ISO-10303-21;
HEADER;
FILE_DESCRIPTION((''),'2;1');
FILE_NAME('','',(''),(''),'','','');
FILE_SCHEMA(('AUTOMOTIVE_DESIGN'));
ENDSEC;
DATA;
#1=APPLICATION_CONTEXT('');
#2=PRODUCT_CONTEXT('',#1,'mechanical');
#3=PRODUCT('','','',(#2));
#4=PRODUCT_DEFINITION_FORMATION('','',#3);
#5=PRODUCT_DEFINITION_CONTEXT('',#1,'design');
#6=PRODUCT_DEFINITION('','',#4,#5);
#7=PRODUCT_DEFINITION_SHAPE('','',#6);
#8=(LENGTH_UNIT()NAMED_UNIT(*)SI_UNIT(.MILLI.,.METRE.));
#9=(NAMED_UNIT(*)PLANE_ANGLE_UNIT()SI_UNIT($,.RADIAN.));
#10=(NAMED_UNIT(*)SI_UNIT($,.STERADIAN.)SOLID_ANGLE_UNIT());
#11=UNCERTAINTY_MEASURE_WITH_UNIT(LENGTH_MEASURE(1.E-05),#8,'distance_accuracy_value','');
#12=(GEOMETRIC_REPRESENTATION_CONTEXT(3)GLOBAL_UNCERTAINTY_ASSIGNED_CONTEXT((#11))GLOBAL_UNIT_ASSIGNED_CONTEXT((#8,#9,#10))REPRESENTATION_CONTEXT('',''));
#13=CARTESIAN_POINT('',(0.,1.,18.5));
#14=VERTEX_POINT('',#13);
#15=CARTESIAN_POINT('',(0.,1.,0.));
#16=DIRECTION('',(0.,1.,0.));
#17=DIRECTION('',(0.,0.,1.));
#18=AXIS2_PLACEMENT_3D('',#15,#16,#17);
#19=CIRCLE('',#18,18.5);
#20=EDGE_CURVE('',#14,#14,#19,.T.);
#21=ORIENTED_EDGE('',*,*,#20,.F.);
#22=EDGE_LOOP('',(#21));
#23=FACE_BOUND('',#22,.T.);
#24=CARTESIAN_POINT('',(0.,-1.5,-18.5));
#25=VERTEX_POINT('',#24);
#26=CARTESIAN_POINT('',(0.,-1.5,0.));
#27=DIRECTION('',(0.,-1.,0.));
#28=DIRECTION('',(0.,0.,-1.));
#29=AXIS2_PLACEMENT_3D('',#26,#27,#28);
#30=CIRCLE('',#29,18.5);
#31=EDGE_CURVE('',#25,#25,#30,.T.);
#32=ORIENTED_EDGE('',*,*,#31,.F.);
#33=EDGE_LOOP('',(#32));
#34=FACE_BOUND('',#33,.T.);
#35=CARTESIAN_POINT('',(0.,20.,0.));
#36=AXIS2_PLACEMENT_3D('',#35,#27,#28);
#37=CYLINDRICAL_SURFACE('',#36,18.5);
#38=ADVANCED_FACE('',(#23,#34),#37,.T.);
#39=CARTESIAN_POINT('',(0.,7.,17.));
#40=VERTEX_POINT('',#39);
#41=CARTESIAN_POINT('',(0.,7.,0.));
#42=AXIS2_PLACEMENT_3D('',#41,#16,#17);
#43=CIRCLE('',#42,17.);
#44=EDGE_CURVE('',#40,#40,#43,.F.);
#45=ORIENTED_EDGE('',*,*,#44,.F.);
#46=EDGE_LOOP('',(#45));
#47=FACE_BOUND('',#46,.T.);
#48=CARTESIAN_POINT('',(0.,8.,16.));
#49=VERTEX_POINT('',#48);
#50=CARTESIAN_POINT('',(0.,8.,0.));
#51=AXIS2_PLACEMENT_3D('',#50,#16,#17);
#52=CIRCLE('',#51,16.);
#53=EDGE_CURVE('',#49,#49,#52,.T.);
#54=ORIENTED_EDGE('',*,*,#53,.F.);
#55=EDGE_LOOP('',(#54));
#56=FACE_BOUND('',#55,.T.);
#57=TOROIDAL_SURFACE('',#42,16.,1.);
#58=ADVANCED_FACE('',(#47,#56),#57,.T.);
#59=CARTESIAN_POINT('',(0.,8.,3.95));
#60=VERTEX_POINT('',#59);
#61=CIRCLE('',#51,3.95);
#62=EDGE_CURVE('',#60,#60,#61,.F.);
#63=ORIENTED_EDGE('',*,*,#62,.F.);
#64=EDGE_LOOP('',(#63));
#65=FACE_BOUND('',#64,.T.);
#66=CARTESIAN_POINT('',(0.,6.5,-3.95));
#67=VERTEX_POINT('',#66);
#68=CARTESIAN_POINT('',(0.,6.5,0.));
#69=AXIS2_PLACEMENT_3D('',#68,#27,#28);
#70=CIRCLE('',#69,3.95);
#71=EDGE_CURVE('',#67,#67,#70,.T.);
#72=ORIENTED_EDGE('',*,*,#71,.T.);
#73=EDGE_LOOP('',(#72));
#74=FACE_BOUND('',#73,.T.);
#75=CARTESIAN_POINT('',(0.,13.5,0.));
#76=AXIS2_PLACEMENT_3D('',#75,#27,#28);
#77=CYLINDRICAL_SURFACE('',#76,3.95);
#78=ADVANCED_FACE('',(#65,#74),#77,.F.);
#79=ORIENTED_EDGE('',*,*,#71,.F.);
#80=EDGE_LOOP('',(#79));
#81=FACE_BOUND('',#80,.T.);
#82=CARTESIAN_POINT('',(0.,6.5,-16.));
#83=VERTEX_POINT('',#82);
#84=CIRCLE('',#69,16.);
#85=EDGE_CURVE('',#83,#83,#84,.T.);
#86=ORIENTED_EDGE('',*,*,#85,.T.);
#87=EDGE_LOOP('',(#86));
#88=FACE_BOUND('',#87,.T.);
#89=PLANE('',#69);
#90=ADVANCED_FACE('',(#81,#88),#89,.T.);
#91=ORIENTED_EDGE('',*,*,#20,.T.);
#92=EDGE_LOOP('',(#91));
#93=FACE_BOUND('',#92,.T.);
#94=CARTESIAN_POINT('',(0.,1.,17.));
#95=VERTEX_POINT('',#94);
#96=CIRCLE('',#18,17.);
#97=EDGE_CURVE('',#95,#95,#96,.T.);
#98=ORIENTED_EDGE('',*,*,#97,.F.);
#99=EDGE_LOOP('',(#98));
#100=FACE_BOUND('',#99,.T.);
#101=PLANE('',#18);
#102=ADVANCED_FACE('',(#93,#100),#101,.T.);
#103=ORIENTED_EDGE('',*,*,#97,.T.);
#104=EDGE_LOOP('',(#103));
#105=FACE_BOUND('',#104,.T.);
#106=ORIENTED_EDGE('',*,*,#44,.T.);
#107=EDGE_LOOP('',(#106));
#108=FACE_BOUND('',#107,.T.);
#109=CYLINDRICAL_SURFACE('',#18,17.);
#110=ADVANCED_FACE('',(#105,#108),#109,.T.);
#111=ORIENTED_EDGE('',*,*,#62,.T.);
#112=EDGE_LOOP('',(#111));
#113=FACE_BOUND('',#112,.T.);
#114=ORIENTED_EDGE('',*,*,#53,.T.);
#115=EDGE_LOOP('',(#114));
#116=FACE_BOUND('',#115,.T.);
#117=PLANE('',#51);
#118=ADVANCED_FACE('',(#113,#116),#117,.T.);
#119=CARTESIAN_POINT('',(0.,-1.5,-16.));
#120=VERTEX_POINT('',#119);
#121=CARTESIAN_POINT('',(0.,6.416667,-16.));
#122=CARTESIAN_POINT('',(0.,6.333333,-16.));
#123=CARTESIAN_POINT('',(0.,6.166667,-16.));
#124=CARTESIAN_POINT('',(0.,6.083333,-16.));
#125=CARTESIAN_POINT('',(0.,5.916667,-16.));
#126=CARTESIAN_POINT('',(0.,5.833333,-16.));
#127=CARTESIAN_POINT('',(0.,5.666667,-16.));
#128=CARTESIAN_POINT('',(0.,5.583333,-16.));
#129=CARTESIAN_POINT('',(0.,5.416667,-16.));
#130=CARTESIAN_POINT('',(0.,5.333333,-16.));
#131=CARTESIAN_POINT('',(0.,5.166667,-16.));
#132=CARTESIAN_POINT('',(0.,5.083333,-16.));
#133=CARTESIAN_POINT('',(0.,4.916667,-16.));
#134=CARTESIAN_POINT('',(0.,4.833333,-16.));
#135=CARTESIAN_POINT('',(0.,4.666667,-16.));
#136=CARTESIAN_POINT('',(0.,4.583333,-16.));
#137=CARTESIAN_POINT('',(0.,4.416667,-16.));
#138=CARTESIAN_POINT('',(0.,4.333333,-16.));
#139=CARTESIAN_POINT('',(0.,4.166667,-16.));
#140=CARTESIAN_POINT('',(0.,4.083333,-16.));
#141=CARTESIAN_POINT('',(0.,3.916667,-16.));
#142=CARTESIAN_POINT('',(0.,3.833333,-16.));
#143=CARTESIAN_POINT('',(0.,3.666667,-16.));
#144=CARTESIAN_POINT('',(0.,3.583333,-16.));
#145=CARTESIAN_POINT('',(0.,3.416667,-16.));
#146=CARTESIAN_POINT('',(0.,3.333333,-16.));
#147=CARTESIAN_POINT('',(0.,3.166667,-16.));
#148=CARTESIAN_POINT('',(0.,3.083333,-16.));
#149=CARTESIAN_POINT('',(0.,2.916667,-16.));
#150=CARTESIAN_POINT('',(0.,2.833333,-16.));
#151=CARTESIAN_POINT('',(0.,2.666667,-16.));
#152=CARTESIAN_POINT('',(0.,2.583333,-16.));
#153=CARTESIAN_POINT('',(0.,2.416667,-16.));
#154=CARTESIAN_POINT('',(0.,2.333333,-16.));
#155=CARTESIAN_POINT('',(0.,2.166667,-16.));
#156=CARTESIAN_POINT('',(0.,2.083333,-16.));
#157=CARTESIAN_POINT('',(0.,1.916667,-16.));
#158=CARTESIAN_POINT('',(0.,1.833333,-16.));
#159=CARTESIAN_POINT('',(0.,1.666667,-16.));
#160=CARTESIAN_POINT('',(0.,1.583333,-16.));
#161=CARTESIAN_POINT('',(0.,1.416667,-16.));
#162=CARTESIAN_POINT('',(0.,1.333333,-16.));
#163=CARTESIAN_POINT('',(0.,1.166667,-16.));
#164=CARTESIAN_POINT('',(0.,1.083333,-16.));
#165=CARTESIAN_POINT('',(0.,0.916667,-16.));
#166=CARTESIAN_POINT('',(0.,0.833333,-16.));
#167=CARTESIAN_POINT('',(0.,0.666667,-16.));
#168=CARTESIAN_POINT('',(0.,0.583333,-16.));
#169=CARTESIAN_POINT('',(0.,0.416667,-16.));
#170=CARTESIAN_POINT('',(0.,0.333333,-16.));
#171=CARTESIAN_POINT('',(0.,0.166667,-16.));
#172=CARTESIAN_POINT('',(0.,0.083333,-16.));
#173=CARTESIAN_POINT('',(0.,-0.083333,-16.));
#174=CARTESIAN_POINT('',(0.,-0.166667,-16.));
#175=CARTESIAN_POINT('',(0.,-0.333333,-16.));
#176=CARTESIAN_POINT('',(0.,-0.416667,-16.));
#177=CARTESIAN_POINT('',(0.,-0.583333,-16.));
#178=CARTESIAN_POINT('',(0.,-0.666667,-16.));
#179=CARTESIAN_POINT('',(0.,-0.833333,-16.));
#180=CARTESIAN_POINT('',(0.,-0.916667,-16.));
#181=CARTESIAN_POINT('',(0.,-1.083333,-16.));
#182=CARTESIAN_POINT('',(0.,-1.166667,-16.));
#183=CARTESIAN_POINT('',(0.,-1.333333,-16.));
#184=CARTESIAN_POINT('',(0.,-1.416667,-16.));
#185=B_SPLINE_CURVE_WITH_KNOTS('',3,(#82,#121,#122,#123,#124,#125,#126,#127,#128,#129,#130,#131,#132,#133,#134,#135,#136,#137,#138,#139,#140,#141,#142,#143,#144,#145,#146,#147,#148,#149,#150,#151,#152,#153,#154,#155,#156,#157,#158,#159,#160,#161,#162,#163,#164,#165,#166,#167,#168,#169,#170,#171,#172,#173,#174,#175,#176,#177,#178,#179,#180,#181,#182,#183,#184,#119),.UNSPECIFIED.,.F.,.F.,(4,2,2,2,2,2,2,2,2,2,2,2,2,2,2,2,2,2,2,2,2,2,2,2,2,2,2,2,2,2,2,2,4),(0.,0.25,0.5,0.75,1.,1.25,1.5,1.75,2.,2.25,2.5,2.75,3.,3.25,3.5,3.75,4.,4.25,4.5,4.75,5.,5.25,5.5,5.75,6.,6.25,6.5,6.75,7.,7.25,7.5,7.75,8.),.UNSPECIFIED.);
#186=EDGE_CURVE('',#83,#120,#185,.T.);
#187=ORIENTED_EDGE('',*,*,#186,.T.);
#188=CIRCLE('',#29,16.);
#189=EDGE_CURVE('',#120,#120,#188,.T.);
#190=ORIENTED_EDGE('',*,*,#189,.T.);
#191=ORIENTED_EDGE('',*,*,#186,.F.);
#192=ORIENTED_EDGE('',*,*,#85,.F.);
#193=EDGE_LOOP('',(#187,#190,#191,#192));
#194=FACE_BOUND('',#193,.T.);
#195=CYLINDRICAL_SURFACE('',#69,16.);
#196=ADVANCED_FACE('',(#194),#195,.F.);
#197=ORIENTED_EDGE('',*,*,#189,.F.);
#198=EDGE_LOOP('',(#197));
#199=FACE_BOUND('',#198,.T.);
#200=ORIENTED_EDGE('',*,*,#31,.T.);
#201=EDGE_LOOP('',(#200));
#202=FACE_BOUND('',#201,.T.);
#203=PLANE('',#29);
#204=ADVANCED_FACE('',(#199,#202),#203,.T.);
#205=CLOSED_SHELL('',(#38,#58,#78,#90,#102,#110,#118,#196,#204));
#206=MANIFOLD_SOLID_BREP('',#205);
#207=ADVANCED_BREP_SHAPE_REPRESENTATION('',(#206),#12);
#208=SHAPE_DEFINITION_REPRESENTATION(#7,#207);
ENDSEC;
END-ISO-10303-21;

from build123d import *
from build123d.topology import SkipClean

# Parameters (mm, degrees)
SKETCH_1_R          = 18.5
EXTRUDE_1_DEPTH     = 20
SKETCH_2_R          = 16
CUT_EXTRUDE_1_DEPTH = 6.5
SKETCH_3_R          = 3.95
CUT_EXTRUDE_2_DEPTH = 7
SKETCH_4_R          = 3
CUT_EXTRUDE_3_DEPTH = 17
SKETCH_5_R          = 25.146051565
SKETCH_5_R_2        = 17
CUT_EXTRUDE_4_DEPTH = 19
CUT_EXTRUDE_5_DEPTH = 12
FILLET_5_R          = 1
FILLET_7_R          = 2
CUT_EXTRUDE_6_REACH = 34.932
SKETCH_9_R          = 5.408326913
SKETCH_9_R_2        = 4.5
FILLET_8_R          = 0.8
EXTRUDE_START       = 1.5
SKETCH_10_R         = 18.5
SKETCH_10_R_2       = 16
EXTRUDE_2_DEPTH     = 1.5
SKETCH_11_R         = 16
CUT_EXTRUDE_7_DEPTH = 29.783675929


with BuildPart() as part:
    # 草图1 → 凸台-拉伸1 (new body)
    with BuildSketch(Plane(origin=(0, 0, 0), x_dir=(1, 0, 0), z_dir=(0, 1, 0))):
        with Locations(Location((0, 0, 0), (0, 0, 270))):
            Circle(SKETCH_1_R)
    extrude(amount=EXTRUDE_1_DEPTH)

    # 草图2 → 切除-拉伸1 (cut)
    with BuildSketch(Plane.XZ):
        with Locations(Location((0, 0, 0), (0, 0, 270))):
            Circle(SKETCH_2_R)
    extrude(amount=-CUT_EXTRUDE_1_DEPTH, mode=Mode.SUBTRACT)

    # 草图3 → 切除-拉伸2 (cut)
    with BuildSketch(Plane.XZ.offset(-6.5)):
        with Locations(Location((0, 0, 0), (0, 0, 270))):
            Circle(SKETCH_3_R)
    extrude(amount=-CUT_EXTRUDE_2_DEPTH, mode=Mode.SUBTRACT)

    # 草图4 → 切除-拉伸3 (cut)
    with BuildSketch(Plane.XZ.offset(-13.5)):
        with Locations(Location((0, 0, 0), (0, 0, 270))):
            Circle(SKETCH_4_R)
    extrude(amount=-CUT_EXTRUDE_3_DEPTH, mode=Mode.SUBTRACT)

    # 草图5 → 切除-拉伸4 (cut)
    with BuildSketch(Plane(origin=(0, 20, 0), x_dir=(1, 0, 0), z_dir=(0, 1, 0))):
        Circle(SKETCH_5_R)
        with Locations(Location((0, 0, 0), (0, 0, 270))):
            Circle(SKETCH_5_R_2, mode=Mode.SUBTRACT)
    extrude(amount=-CUT_EXTRUDE_4_DEPTH, mode=Mode.SUBTRACT)

    # 草图6 → 切除-拉伸5 (cut)
    with BuildSketch(Plane(origin=(0, 20, 0), x_dir=(1, 0, 0), z_dir=(0, 1, 0))):
        with BuildLine():
            Line((-1, 15.467708298), (-1, 5.408326913))
            ThreePointArc((-1, 5.408326913), (-3.889087297, 3.889087297), (-5.408326913, 1))
            Line((-5.408326913, 1), (-15.467708298, 1))
            ThreePointArc((-15.467708298, 1), (-10.960155108, 10.960155108), (-1, 15.467708298))
        make_face()
        with BuildLine():
            Line((1, 15.467708298), (1, 5.408326913))
            ThreePointArc((1, 5.408326913), (3.889087297, 3.889087297), (5.408326913, 1))
            Line((5.408326913, 1), (15.467708298, 1))
            ThreePointArc((15.467708298, 1), (10.960155108, 10.960155108), (1, 15.467708298))
        make_face()
        with BuildLine():
            Line((-15.467708298, -1), (-5.408326913, -1))
            ThreePointArc((-5.408326913, -1), (-3.889087297, -3.889087297), (-1, -5.408326913))
            Line((-1, -5.408326913), (-1, -15.467708298))
            ThreePointArc((-1, -15.467708298), (-10.960155108, -10.960155108), (-15.467708298, -1))
        make_face()
        with BuildLine():
            Line((1, -5.408326913), (1, -15.467708298))
            ThreePointArc((1, -15.467708298), (10.960155108, -10.960155108), (15.467708298, -1))
            Line((15.467708298, -1), (5.408326913, -1))
            ThreePointArc((5.408326913, -1), (3.889087297, -3.889087297), (1, -5.408326913))
        make_face()
    extrude(amount=-CUT_EXTRUDE_5_DEPTH, mode=Mode.SUBTRACT)

    # 草图8 → 切除-旋转2 (revolve, cut)
    with BuildSketch(Plane.XY, mode=Mode.PRIVATE) as cut_revolve_2_sk:
        Polygon((-19.272016982, 8), (-19.272016982, 20.821833332), (-5.408326913, 20.821833332), (-5.408326913, 16), (-15, 8), (-17, 8), align=None)
    revolve(cut_revolve_2_sk.sketch.rotate(Axis((0, 13.5, 0), (0, -1, 0)), 270), axis=Axis((0, 13.5, 0), (0, -1, 0)), mode=Mode.SUBTRACT)

    # 圆角5
    fillet_5_edges = [part.edges().sort_by_distance(p)[0] for p in [
        (0, 8, -17),
    ]]
    fillet(fillet_5_edges, radius=FILLET_5_R)

    # 圆角7
    fillet_7_edges = [part.edges().sort_by_distance(p)[0] for p in [
        (-1, 11.96176972, 5.408326913),
        (-5.408326913, 11.96176972, 1),
        (-5.408326913, 11.96176972, -1),
        (-1, 11.96176972, -5.408326913),
        (1, 11.96176972, -5.408326913),
        (5.408326913, 11.96176972, -1),
        (5.408326913, 11.96176972, 1),
        (1, 11.96176972, 5.408326913),
    ]]
    fillet(fillet_7_edges, radius=FILLET_7_R)

    # 切除-拉伸6: up to this cone (the profile starts outside it)
    with SkipClean():  # the faces are left unmerged after this step: merging them gives an invalid solid
        cut_extrude_6_end = Plane(origin=(0, 20, 0), z_dir=(0, -1, 0)).offset(-0.510850748) * Cone(1.199e-06, 43.828361396, 36.555341117, align=(Align.CENTER, Align.CENTER, Align.MIN), mode=Mode.PRIVATE)
        # 草图9 → 切除-拉伸6 (cut, up to the surface)
        with BuildSketch(Plane(origin=(0, 20, 0), x_dir=(1, 0, 0), z_dir=(0, 1, 0)), mode=Mode.PRIVATE) as cut_extrude_6_sk1:
            Circle(SKETCH_9_R)
            with Locations(Location((0, 0, 0), (0, 0, 270))):
                Circle(SKETCH_9_R_2, mode=Mode.SUBTRACT)
        cut_extrude_6_tool1 = extrude(cut_extrude_6_sk1.sketch, amount=-CUT_EXTRUDE_6_REACH, mode=Mode.PRIVATE) - cut_extrude_6_end
        add(cut_extrude_6_tool1.solids().sort_by_distance((-5.255356, 20, 0))[0], mode=Mode.SUBTRACT)

    # 圆角8
    fillet_8_edges = [part.edges().sort_by_distance(p)[0] for p in [
        (0, 20, -4.5),
    ]]
    fillet(fillet_8_edges, radius=FILLET_8_R)

    # 草图10 → 凸台-拉伸2 (add)
    with SkipClean():  # the faces are left unmerged after this step: merging them gives an invalid solid
        with BuildSketch(Plane.XZ.offset(EXTRUDE_START)):
            with Locations(Location((0, 0, 0), (0, 0, 270))):
                Circle(SKETCH_10_R)
            with Locations(Location((0, 0, 0), (0, 0, 270))):
                Circle(SKETCH_10_R_2, mode=Mode.SUBTRACT)
        extrude(amount=-EXTRUDE_2_DEPTH)

    # 草图11 → 切除-拉伸7 (cut, through all)
    with BuildSketch(Plane(origin=(0, 8, 0), x_dir=(1, 0, 0), z_dir=(0, 1, 0))):
        with Locations(Location((0, 0, 0), (0, 0, 90))):
            Circle(SKETCH_11_R)
    extrude(amount=CUT_EXTRUDE_7_DEPTH, mode=Mode.SUBTRACT)


solid = part.part
